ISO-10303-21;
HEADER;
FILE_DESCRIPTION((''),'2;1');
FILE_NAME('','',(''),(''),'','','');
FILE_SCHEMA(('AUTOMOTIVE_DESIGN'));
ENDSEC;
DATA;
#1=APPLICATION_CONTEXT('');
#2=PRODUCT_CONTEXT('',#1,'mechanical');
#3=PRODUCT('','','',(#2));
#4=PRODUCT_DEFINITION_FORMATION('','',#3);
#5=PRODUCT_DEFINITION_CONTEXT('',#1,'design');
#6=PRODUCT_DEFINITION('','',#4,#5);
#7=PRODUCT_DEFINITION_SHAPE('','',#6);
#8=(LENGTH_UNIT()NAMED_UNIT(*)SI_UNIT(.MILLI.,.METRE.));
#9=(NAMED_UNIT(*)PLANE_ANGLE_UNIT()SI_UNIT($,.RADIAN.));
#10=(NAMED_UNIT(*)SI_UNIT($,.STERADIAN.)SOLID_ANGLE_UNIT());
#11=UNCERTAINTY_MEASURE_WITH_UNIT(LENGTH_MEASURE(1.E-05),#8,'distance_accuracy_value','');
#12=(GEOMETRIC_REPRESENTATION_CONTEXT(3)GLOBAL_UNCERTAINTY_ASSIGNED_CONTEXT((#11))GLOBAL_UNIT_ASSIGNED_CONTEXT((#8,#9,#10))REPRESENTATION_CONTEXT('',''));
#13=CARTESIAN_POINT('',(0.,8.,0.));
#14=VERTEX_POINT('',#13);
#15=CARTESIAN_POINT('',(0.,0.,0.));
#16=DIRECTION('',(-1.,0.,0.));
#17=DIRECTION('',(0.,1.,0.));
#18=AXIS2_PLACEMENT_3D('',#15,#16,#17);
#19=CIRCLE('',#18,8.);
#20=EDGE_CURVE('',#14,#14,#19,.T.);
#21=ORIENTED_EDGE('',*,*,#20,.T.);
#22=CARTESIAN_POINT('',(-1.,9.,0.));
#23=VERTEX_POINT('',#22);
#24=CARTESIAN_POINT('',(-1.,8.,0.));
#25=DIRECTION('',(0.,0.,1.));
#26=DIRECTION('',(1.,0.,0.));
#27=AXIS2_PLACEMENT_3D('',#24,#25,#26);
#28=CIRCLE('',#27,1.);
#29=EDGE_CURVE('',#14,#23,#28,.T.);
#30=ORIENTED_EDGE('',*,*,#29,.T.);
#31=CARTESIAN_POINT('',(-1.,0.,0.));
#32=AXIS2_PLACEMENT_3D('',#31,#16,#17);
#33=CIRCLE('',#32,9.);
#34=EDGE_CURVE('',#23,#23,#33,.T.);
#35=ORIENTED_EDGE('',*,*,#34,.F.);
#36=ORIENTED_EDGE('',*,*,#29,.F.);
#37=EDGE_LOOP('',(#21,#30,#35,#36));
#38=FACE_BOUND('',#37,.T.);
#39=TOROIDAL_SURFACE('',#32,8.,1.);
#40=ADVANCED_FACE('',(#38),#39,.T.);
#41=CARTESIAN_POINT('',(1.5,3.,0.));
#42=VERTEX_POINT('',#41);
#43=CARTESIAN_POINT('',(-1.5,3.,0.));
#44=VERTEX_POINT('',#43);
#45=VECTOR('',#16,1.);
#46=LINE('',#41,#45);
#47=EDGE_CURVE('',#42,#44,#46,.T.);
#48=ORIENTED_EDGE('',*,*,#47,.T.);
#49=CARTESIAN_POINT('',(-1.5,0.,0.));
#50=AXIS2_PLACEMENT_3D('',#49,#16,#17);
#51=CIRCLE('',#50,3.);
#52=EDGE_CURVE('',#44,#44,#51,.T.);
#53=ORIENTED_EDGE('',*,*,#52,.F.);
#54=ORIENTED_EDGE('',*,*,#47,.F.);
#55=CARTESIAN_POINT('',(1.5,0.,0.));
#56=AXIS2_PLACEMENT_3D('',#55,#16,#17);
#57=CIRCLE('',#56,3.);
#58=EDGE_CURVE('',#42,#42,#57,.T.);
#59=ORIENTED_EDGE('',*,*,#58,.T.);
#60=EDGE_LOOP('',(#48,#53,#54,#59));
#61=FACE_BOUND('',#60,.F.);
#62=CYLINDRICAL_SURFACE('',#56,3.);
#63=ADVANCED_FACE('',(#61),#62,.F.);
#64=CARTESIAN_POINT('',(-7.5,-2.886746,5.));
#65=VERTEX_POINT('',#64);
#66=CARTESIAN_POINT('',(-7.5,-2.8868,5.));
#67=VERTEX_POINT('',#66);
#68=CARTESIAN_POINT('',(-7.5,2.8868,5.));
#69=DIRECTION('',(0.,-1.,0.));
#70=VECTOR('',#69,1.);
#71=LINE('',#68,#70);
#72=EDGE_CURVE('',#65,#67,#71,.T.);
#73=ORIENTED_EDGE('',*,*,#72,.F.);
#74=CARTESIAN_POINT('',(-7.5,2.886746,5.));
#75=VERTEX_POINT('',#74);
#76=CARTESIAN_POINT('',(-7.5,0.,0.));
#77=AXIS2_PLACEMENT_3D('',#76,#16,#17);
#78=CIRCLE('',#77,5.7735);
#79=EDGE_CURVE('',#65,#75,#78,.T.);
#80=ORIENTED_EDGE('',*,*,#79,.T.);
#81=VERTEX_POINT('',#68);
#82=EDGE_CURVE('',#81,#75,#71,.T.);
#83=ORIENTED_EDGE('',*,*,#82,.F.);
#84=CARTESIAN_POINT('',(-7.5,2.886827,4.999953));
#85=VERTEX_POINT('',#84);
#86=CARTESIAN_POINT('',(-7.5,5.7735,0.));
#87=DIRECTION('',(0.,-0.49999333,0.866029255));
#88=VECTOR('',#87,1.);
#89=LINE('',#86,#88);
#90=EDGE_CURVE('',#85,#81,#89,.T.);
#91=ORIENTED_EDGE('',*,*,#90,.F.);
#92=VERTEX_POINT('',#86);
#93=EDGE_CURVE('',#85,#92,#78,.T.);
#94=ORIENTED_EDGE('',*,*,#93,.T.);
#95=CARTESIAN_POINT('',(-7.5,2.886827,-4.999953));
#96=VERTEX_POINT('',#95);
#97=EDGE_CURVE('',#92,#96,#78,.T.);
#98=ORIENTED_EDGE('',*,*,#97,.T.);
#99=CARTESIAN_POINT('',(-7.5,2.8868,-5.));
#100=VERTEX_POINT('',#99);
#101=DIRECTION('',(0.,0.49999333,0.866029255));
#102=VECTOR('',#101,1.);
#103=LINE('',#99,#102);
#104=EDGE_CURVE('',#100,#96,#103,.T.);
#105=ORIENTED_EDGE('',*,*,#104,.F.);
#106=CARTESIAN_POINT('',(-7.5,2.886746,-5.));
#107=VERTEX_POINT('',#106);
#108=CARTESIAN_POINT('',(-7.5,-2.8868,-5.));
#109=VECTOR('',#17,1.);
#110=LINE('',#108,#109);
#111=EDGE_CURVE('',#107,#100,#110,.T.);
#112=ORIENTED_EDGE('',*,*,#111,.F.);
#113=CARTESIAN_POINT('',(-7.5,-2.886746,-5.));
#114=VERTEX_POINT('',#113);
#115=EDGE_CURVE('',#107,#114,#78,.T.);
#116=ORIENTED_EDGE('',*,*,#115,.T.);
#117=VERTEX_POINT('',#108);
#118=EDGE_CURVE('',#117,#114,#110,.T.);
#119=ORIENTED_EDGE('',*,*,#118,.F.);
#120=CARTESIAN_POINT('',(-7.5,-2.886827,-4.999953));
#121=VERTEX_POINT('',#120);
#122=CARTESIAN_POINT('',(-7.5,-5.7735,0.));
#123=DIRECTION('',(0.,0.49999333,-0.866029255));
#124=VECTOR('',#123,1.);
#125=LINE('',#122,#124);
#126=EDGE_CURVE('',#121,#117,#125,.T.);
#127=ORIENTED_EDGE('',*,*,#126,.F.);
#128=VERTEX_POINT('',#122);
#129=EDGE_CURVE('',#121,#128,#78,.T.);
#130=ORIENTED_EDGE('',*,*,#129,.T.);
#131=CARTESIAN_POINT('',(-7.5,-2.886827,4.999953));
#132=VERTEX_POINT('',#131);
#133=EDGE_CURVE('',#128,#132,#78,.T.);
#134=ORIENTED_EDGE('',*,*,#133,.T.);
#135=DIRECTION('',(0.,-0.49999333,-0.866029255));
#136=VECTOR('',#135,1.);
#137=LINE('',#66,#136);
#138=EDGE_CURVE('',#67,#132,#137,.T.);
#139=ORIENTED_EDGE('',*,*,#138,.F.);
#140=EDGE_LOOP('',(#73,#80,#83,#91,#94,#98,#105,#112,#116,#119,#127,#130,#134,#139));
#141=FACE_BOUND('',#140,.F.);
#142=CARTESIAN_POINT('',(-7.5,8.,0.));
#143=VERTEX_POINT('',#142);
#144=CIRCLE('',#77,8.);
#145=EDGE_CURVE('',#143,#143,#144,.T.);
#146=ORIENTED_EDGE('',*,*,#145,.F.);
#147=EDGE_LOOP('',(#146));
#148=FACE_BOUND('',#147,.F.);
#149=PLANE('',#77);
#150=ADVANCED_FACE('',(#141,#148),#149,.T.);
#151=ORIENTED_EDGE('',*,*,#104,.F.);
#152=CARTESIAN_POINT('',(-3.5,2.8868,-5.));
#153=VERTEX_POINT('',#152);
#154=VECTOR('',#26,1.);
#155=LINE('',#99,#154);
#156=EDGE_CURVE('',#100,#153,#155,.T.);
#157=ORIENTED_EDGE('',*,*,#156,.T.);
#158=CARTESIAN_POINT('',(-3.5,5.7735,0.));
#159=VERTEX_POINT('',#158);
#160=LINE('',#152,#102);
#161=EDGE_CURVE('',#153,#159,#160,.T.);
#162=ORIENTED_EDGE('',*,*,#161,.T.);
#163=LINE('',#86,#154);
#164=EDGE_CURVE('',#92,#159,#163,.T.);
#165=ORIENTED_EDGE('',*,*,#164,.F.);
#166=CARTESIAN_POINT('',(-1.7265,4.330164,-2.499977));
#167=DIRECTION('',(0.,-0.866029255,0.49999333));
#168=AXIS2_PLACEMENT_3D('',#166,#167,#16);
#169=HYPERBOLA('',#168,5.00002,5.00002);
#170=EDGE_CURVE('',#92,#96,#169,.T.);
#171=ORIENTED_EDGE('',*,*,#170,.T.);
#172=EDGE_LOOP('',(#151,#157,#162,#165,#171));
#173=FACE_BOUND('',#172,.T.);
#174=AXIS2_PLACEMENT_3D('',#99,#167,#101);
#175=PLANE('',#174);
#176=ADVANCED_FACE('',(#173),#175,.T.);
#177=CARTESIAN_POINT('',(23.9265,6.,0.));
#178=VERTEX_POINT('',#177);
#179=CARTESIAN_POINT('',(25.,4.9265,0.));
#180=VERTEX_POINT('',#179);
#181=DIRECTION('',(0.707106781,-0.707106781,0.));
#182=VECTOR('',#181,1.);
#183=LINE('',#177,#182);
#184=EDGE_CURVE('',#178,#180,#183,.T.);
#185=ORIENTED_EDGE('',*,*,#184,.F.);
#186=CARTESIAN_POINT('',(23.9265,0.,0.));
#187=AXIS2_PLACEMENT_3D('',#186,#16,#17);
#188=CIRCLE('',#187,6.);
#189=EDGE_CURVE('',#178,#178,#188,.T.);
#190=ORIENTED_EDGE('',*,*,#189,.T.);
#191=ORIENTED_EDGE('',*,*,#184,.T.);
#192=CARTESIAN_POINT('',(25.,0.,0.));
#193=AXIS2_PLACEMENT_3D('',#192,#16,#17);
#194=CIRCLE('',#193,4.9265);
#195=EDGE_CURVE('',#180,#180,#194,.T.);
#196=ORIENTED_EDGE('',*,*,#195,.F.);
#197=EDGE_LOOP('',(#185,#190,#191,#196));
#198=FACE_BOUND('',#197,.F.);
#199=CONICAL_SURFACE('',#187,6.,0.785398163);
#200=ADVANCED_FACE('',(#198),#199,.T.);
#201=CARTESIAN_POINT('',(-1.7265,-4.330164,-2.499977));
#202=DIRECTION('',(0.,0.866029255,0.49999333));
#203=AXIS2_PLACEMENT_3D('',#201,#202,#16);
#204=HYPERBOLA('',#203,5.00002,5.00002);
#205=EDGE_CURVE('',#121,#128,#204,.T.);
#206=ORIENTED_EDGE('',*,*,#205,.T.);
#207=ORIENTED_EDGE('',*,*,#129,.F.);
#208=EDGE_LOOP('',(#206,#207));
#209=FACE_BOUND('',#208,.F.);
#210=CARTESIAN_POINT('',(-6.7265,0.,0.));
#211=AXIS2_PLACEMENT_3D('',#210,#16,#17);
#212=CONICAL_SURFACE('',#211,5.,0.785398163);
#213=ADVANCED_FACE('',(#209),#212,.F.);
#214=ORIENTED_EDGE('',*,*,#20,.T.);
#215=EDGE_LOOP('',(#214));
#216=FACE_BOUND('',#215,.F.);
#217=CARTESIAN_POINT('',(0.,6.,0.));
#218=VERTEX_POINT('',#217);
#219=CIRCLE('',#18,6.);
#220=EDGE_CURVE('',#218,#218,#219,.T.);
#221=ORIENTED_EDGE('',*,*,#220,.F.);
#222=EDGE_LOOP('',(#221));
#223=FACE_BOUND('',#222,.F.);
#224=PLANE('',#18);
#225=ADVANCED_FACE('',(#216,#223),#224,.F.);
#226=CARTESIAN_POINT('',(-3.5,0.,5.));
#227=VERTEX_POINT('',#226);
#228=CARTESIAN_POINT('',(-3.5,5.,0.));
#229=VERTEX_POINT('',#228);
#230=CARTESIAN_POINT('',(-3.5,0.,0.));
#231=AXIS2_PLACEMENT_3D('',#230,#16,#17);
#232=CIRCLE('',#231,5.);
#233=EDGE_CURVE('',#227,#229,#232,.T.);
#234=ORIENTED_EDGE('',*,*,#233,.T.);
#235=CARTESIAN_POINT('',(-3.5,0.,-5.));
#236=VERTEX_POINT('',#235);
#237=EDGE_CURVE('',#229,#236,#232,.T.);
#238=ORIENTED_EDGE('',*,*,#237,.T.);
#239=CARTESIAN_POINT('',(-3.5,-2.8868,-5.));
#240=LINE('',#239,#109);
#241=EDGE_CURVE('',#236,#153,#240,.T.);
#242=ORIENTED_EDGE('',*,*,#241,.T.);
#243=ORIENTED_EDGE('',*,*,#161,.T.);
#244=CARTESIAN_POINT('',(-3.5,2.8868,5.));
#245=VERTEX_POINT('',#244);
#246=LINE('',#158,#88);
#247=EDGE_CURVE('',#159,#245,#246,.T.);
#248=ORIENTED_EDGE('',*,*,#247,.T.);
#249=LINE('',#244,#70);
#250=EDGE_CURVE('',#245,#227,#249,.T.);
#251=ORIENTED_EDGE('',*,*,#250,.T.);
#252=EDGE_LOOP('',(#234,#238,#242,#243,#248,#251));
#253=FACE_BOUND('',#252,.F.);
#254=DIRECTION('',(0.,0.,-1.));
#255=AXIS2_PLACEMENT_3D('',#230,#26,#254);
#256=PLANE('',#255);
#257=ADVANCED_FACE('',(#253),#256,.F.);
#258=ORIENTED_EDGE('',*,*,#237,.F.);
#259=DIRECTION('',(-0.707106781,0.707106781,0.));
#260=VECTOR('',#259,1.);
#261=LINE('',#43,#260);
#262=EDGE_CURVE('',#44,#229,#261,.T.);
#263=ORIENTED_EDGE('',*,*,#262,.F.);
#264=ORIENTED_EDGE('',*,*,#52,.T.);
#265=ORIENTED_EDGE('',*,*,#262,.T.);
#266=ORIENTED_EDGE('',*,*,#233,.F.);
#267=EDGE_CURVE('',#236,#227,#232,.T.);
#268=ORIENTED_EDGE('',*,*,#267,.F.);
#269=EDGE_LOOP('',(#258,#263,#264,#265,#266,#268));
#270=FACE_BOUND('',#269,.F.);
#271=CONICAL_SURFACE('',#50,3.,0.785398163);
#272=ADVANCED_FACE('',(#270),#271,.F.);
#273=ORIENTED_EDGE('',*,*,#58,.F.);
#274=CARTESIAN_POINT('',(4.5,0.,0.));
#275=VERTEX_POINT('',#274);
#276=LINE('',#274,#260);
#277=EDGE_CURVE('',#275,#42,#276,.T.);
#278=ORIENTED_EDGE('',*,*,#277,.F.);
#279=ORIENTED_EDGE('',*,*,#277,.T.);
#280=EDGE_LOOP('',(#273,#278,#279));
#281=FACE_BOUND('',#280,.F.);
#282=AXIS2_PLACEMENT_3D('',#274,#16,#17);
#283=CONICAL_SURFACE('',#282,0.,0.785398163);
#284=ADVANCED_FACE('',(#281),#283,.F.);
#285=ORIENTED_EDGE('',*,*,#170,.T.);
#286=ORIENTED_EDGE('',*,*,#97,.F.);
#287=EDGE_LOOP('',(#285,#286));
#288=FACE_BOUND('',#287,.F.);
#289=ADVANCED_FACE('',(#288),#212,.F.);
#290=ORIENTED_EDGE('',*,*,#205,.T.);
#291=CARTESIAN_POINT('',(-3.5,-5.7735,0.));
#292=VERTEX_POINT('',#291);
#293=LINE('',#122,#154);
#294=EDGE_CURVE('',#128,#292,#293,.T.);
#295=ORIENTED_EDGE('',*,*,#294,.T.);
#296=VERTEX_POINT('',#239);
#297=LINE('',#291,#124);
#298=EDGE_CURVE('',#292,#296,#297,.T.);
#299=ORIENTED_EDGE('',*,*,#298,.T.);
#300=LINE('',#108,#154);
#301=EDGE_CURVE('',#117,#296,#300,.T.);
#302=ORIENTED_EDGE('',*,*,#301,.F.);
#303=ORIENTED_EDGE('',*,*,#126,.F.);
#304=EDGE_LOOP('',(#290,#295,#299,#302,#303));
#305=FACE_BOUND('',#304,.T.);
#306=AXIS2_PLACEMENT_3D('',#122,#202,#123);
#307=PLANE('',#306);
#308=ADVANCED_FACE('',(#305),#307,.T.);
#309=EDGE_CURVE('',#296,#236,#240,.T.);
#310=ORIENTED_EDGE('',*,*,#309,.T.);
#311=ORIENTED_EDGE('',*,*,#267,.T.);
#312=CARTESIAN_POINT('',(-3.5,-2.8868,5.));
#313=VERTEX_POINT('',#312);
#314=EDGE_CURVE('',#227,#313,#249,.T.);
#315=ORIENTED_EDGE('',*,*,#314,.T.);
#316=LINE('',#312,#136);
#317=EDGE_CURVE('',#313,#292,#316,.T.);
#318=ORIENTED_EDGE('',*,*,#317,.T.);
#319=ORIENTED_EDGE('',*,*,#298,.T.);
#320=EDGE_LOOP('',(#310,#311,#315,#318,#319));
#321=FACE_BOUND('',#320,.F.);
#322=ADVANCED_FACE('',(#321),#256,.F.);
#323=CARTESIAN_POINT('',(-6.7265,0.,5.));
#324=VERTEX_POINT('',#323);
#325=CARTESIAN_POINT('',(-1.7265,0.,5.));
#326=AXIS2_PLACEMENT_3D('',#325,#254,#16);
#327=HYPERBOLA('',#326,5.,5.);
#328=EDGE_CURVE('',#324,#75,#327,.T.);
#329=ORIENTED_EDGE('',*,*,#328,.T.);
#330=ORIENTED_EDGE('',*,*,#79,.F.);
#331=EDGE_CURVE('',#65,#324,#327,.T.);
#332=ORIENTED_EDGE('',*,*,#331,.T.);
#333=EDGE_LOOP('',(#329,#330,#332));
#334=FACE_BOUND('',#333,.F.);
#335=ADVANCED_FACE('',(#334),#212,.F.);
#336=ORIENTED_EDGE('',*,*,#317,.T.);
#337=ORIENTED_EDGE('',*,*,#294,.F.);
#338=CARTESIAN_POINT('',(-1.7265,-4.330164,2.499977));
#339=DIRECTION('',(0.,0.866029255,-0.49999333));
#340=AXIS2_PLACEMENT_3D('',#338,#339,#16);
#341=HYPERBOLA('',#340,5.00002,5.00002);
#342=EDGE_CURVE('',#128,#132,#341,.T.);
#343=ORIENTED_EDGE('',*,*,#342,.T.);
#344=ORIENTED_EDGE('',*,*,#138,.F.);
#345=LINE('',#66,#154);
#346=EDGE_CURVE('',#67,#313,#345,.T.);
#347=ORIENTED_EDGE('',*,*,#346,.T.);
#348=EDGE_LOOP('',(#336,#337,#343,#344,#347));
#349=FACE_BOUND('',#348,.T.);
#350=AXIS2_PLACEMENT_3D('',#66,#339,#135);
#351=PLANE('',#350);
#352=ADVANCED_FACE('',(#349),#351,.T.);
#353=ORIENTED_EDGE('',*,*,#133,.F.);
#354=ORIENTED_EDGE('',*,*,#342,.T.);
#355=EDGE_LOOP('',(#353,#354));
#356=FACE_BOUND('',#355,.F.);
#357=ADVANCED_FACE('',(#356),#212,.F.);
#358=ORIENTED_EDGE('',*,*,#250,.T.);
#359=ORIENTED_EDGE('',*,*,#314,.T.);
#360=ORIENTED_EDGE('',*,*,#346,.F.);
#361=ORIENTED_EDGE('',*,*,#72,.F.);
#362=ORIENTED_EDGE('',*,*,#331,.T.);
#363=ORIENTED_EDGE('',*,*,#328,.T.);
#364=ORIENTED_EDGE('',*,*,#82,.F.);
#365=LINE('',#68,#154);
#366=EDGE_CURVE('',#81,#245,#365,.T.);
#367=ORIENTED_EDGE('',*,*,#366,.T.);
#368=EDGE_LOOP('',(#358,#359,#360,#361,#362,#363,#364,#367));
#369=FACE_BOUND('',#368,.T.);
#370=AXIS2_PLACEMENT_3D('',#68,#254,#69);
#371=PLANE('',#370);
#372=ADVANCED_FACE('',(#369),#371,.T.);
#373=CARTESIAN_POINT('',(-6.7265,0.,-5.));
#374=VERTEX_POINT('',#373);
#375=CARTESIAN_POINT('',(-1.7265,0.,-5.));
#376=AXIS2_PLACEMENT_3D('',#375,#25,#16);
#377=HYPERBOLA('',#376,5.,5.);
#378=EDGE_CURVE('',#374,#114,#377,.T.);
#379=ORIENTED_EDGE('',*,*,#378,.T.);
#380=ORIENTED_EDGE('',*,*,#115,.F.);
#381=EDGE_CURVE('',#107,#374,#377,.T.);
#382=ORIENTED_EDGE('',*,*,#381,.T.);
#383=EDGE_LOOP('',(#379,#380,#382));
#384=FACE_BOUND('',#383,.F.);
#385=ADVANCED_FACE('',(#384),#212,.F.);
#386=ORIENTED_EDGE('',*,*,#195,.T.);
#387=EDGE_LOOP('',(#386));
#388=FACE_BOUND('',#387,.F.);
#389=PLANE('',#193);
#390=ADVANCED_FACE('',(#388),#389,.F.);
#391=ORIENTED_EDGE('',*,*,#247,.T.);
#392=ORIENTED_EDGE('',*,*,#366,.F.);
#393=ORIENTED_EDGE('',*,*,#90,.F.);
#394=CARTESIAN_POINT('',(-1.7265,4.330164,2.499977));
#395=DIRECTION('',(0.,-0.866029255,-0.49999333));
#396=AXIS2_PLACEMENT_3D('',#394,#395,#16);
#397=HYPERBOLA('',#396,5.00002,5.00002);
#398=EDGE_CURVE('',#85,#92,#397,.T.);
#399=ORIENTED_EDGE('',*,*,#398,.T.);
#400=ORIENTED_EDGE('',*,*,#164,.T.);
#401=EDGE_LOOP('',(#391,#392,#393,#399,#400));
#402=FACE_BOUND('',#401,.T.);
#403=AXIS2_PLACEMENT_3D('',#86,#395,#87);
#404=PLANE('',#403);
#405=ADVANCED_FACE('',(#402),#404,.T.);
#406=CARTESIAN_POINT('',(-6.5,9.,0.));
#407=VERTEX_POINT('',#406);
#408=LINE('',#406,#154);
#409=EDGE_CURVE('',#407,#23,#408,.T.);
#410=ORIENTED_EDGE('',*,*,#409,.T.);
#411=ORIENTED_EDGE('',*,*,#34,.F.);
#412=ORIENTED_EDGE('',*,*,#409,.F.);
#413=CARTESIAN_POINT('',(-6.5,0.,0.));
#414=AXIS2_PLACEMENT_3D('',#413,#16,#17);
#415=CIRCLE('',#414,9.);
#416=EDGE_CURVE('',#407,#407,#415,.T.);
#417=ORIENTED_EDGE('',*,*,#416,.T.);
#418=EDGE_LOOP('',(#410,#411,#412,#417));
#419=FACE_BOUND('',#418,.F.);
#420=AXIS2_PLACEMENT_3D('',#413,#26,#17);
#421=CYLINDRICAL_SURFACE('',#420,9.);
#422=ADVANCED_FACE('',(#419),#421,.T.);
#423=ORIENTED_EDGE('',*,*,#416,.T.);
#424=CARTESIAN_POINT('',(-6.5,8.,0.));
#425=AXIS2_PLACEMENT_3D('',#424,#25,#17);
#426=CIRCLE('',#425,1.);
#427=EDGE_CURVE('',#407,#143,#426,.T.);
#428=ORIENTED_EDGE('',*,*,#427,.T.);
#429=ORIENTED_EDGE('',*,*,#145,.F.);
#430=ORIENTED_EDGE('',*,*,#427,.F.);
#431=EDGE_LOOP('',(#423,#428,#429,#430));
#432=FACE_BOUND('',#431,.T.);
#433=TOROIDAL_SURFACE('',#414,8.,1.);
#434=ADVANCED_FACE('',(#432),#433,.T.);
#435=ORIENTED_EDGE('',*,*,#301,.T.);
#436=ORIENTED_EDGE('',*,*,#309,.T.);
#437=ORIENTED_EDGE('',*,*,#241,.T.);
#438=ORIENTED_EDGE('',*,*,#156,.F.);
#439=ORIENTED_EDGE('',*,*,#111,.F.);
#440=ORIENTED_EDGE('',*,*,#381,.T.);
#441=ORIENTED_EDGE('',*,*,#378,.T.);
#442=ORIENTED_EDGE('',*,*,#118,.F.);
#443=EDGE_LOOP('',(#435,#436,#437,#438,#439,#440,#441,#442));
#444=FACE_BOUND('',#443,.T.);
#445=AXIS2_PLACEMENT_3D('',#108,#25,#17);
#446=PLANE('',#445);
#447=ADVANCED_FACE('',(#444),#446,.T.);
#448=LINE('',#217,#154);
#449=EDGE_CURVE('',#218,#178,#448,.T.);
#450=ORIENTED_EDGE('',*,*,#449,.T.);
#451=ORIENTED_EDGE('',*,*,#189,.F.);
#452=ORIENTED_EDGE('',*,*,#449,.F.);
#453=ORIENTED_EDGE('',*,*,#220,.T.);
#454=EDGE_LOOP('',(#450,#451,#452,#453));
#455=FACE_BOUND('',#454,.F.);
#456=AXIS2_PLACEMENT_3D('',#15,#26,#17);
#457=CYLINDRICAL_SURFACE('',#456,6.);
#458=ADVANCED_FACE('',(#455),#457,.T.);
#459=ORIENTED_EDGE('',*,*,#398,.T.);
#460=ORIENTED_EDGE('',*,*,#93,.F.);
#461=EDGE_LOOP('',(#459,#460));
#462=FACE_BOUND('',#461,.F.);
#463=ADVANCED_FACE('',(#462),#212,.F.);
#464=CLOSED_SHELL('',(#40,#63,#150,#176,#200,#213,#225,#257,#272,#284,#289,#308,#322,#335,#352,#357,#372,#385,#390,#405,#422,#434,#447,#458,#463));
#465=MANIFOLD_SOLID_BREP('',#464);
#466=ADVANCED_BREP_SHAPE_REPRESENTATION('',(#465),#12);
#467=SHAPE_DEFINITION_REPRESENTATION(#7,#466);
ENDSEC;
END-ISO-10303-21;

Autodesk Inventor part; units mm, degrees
sketch "Sketch_1" plane through (0, 0, 0) normal (0, 0, 1) x (1, 0, 0)
  line L0 (25, 0) -> (4.5, 0)
  line L1 (4.5, 0) -> (1.5, 3)
  line L2 (1.5, 3) -> (-1.5, 3)
  line L3 (-1.5, 3) -> (-3.5, 5)
  line L4 (-3.5, 5) -> (-6.7265, 5)
  line L5 (-6.7265, 5) -> (-7.5, 5.7735)
  line L6 (-7.5, 5.7735) -> (-7.5, 8)
  arc A0 (-6.5, 9) -> (-7.5, 8) centre (-6.5, 8) ccw
  line L7 (-6.5, 9) -> (-1, 9)
  arc A1 (0, 8) -> (-1, 9) centre (-1, 8) ccw
  line L8 (0, 8) -> (0, 6)
  line L9 (0, 6) -> (23.9265, 6)
  line L10 (23.9265, 6) -> (25, 4.9265)
  line L11 (25, 4.9265) -> (25, 0)
  line L12 (25, 0) -> (4.5, 0)
revolve "Revolution1" add sketch "Sketch_1" angle 360 about axis through (25, 0, 0) along (-1, 0, 0)
thread "Thread1" size "M12x1.75" class "6g" standard "ISO Metric profile" length 14.4265
sketch "Sketch_2" plane through (-7.5, 0, 0) normal (1, 0, 0) x (0, 0, -1)
  line L0 (-5, -2.8868) -> (0, -5.7735)
  line L1 (0, -5.7735) -> (5, -2.8868)
  line L2 (5, -2.8868) -> (5, 2.8868)
  line L3 (5, 2.8868) -> (0, 5.7735)
  line L4 (0, 5.7735) -> (-5, 2.8868)
  line L5 (-5, 2.8868) -> (-5, -2.8868)
extrude "Extrusion1" cut sketch "Sketch_2" along normal blind 4
ref_plane "MONTAGE_XY" through (0, 0, 0) normal (1, 0, 0) x (0, 0, -1)
ref_plane "MONTAGE_YZ" through (0, 0, 0) normal (0, 0, -1) x (0, 1, 0)
ref_plane "MONTAGE_ZX" through (0, 0, 0) normal (0, 1, 0) x (1, 0, 0)
ref_plane "Schrauben_punkt_XY" through (25, 0, 0) normal (-1, 0, 0) x (0, 0, -1)
ref_plane "Schrauben_punkt_YZ" through (25, 0, 0) normal (0, 0, -1) x (0, -1, 0)
ref_plane "Schrauben_punkt_ZX" through (25, 0, 0) normal (0, -1, 0) x (-1, 0, 0)
properties part number "DIN-6912 - M12x25(F)"
